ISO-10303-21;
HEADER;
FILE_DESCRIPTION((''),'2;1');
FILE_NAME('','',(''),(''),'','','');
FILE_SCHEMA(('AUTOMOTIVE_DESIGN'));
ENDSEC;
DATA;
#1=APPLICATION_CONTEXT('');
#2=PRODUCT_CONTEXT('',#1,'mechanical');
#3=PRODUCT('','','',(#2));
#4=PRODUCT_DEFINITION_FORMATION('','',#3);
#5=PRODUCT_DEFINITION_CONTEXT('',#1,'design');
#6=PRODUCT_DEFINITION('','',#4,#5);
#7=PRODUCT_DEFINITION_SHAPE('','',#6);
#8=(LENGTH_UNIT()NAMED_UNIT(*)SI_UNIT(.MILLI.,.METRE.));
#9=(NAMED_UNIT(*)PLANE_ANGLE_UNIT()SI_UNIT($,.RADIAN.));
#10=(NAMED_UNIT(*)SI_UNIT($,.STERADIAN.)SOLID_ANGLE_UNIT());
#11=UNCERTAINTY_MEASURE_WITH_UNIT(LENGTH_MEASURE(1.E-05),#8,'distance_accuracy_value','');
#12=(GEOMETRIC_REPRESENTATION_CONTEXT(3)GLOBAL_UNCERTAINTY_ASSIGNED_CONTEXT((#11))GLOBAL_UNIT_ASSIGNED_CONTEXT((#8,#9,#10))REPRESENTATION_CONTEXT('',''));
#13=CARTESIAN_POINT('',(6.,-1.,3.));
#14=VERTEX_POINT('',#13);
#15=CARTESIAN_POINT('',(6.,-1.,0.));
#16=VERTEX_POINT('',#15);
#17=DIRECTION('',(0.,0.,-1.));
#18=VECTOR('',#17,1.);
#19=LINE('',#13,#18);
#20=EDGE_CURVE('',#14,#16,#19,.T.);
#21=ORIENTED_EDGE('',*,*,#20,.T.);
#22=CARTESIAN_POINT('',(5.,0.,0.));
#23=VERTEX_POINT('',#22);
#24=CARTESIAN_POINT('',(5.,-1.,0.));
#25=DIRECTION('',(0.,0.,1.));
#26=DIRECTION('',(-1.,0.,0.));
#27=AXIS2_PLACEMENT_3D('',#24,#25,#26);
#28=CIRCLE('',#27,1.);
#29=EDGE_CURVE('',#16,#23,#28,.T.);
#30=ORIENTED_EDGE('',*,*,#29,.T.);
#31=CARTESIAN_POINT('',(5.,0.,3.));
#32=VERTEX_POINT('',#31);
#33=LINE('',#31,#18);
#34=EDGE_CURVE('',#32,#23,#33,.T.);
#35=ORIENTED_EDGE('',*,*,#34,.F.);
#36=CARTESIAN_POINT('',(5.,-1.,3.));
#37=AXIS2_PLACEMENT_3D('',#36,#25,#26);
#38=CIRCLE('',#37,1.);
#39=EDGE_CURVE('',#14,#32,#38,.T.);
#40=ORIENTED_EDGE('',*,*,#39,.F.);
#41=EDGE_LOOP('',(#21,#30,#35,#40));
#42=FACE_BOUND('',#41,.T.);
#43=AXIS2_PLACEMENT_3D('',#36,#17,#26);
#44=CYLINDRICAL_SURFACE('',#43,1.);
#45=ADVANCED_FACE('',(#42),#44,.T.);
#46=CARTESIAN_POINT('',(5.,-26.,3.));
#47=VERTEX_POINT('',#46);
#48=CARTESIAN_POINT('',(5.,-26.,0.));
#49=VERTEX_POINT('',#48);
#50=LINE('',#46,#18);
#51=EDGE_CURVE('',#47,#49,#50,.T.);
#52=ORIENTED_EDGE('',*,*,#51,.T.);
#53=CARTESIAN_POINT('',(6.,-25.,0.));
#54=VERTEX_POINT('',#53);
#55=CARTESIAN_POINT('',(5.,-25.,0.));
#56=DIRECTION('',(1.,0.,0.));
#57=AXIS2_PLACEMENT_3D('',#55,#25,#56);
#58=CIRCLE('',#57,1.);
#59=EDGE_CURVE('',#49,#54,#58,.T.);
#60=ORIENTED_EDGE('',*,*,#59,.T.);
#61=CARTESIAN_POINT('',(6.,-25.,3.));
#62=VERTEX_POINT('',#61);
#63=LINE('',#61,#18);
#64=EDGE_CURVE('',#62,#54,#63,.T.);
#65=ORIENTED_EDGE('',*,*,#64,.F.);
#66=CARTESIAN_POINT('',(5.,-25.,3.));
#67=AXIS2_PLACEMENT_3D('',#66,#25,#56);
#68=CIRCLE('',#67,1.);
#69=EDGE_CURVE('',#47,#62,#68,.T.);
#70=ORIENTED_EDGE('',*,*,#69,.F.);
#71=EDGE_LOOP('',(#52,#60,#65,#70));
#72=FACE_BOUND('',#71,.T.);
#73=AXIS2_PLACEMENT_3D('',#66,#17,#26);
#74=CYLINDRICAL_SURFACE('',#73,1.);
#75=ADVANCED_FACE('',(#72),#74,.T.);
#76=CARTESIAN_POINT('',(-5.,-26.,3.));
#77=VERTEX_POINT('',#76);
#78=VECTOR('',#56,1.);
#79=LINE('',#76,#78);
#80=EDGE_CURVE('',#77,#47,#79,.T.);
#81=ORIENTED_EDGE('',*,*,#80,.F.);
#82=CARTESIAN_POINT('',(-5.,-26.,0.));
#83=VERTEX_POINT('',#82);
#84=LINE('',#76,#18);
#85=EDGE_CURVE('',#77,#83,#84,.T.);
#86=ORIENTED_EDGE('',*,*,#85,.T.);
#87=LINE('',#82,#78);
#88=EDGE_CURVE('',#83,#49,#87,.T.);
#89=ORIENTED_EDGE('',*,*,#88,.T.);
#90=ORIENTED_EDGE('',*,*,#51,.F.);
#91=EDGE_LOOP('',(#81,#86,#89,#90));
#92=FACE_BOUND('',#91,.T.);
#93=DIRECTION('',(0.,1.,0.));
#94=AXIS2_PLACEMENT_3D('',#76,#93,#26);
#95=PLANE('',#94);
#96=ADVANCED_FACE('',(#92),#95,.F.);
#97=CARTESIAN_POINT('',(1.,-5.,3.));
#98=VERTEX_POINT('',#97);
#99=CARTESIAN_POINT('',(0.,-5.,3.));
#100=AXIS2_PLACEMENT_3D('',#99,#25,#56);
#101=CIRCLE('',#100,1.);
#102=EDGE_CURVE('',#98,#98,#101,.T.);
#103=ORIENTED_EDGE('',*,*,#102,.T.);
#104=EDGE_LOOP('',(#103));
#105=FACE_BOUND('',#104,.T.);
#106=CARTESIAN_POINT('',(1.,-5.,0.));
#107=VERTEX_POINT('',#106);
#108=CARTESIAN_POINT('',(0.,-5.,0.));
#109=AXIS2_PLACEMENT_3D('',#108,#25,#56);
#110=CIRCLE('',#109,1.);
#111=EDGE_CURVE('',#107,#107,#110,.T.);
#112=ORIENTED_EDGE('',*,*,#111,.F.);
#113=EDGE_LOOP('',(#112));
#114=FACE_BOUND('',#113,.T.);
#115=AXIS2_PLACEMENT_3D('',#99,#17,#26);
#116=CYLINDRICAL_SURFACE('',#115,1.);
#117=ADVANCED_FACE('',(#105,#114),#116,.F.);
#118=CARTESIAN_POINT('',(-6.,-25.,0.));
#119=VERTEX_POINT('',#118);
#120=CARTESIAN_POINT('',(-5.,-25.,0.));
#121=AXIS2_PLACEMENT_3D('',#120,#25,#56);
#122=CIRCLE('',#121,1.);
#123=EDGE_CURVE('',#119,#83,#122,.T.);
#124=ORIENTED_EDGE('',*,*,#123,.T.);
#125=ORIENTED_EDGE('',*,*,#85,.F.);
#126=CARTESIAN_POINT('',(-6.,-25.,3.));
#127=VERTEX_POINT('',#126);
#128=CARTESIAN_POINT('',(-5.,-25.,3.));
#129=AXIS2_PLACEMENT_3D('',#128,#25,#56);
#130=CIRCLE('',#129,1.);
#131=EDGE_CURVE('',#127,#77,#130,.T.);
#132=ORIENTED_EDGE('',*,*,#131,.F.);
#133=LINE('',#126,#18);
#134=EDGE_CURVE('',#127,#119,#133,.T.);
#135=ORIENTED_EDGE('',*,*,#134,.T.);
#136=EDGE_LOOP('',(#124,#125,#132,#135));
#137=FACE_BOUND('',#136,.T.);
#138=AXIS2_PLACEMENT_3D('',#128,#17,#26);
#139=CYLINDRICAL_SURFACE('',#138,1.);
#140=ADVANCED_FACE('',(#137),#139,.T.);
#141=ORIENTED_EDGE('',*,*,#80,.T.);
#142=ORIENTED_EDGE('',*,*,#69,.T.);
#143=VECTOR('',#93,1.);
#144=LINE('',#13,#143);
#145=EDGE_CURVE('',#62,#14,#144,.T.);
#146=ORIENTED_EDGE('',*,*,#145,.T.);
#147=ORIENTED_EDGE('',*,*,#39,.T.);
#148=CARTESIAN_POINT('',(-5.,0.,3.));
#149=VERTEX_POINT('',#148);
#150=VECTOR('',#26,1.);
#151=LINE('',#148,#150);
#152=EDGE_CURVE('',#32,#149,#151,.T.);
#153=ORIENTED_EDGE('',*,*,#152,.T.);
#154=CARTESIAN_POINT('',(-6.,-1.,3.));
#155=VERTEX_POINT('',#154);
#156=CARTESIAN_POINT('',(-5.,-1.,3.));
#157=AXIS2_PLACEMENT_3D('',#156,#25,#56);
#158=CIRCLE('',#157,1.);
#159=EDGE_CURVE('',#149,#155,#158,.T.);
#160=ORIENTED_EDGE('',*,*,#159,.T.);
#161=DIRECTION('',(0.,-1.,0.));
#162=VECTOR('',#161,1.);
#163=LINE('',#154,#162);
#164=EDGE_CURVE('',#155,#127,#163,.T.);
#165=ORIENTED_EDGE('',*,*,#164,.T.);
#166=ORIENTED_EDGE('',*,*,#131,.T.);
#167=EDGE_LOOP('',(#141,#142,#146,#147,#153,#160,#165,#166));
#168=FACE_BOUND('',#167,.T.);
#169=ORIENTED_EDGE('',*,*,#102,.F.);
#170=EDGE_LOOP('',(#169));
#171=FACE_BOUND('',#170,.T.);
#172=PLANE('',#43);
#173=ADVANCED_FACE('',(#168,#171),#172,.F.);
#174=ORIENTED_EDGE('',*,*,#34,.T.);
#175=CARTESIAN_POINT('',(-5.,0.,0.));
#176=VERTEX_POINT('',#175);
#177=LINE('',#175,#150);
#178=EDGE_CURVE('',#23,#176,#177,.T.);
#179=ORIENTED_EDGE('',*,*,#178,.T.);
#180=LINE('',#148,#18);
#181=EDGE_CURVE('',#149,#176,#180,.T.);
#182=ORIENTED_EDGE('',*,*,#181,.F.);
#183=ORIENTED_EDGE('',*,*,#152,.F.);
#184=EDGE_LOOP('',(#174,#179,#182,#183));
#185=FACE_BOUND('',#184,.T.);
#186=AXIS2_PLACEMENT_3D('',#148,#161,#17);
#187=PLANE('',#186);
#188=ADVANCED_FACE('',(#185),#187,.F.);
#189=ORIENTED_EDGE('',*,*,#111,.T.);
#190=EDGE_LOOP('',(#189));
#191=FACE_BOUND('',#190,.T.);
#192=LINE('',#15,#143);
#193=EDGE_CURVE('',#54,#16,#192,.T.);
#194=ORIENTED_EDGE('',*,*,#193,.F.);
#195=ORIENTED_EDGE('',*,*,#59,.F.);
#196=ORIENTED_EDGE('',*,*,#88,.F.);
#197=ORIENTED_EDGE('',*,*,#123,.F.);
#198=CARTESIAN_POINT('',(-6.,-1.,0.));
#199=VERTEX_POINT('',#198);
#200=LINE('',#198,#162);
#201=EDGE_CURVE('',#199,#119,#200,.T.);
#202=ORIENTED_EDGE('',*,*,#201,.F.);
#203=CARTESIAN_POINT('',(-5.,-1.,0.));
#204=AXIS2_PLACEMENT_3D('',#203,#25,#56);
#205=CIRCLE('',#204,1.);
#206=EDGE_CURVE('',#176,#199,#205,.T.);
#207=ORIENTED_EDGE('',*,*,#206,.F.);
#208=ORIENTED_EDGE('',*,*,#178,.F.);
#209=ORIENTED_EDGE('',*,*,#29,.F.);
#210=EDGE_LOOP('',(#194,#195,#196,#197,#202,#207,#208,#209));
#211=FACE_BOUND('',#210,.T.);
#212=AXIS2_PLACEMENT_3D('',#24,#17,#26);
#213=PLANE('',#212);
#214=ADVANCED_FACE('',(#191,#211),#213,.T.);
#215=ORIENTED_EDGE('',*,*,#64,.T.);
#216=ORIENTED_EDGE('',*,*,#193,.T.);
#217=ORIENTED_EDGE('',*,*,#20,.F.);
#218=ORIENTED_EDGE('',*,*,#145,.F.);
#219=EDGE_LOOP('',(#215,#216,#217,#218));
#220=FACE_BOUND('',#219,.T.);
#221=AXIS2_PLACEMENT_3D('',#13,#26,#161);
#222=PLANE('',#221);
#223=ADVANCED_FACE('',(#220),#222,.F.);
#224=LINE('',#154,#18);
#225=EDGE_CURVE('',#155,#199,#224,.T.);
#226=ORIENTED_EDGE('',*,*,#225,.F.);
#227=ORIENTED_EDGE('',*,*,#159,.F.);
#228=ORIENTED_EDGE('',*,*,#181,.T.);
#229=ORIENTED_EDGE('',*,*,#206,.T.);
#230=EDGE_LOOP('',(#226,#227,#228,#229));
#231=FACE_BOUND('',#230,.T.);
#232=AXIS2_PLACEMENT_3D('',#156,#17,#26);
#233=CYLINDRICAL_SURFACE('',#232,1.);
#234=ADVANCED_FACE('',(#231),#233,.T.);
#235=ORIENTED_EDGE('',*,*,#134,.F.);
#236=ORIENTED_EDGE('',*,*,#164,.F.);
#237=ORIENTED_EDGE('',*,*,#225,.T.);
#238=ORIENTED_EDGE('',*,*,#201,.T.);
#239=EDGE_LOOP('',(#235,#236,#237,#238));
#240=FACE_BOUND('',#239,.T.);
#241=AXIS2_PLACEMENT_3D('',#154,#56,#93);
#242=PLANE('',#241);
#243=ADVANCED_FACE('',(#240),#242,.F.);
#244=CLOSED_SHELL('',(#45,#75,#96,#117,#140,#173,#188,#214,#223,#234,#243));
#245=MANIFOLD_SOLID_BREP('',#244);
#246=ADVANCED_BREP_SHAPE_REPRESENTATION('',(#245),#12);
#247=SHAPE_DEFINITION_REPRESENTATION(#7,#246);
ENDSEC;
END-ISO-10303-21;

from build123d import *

# Parameters (mm, degrees)
SKETCH3_R           = 1
BOSS_EXTRUDE1_DEPTH = 3


with BuildPart() as part:
    # Sketch3 → Boss-Extrude1 (new body)
    with BuildSketch(Plane.XY):
        with BuildLine():
            Line((-5, 0), (5, 0))
            ThreePointArc((5, 0), (5.707106781, -0.292893219), (6, -1))
            Line((6, -1), (6, -25))
            ThreePointArc((6, -25), (5.707106781, -25.707106781), (5, -26))
            Line((5, -26), (-5, -26))
            ThreePointArc((-5, -26), (-5.707106781, -25.707106781), (-6, -25))
            Line((-6, -25), (-6, -1))
            ThreePointArc((-6, -1), (-5.707106781, -0.292893219), (-5, 0))
        make_face()
        with Locations((0, -5)):
            Circle(SKETCH3_R, mode=Mode.SUBTRACT)
    extrude(amount=BOSS_EXTRUDE1_DEPTH)


solid = part.part
